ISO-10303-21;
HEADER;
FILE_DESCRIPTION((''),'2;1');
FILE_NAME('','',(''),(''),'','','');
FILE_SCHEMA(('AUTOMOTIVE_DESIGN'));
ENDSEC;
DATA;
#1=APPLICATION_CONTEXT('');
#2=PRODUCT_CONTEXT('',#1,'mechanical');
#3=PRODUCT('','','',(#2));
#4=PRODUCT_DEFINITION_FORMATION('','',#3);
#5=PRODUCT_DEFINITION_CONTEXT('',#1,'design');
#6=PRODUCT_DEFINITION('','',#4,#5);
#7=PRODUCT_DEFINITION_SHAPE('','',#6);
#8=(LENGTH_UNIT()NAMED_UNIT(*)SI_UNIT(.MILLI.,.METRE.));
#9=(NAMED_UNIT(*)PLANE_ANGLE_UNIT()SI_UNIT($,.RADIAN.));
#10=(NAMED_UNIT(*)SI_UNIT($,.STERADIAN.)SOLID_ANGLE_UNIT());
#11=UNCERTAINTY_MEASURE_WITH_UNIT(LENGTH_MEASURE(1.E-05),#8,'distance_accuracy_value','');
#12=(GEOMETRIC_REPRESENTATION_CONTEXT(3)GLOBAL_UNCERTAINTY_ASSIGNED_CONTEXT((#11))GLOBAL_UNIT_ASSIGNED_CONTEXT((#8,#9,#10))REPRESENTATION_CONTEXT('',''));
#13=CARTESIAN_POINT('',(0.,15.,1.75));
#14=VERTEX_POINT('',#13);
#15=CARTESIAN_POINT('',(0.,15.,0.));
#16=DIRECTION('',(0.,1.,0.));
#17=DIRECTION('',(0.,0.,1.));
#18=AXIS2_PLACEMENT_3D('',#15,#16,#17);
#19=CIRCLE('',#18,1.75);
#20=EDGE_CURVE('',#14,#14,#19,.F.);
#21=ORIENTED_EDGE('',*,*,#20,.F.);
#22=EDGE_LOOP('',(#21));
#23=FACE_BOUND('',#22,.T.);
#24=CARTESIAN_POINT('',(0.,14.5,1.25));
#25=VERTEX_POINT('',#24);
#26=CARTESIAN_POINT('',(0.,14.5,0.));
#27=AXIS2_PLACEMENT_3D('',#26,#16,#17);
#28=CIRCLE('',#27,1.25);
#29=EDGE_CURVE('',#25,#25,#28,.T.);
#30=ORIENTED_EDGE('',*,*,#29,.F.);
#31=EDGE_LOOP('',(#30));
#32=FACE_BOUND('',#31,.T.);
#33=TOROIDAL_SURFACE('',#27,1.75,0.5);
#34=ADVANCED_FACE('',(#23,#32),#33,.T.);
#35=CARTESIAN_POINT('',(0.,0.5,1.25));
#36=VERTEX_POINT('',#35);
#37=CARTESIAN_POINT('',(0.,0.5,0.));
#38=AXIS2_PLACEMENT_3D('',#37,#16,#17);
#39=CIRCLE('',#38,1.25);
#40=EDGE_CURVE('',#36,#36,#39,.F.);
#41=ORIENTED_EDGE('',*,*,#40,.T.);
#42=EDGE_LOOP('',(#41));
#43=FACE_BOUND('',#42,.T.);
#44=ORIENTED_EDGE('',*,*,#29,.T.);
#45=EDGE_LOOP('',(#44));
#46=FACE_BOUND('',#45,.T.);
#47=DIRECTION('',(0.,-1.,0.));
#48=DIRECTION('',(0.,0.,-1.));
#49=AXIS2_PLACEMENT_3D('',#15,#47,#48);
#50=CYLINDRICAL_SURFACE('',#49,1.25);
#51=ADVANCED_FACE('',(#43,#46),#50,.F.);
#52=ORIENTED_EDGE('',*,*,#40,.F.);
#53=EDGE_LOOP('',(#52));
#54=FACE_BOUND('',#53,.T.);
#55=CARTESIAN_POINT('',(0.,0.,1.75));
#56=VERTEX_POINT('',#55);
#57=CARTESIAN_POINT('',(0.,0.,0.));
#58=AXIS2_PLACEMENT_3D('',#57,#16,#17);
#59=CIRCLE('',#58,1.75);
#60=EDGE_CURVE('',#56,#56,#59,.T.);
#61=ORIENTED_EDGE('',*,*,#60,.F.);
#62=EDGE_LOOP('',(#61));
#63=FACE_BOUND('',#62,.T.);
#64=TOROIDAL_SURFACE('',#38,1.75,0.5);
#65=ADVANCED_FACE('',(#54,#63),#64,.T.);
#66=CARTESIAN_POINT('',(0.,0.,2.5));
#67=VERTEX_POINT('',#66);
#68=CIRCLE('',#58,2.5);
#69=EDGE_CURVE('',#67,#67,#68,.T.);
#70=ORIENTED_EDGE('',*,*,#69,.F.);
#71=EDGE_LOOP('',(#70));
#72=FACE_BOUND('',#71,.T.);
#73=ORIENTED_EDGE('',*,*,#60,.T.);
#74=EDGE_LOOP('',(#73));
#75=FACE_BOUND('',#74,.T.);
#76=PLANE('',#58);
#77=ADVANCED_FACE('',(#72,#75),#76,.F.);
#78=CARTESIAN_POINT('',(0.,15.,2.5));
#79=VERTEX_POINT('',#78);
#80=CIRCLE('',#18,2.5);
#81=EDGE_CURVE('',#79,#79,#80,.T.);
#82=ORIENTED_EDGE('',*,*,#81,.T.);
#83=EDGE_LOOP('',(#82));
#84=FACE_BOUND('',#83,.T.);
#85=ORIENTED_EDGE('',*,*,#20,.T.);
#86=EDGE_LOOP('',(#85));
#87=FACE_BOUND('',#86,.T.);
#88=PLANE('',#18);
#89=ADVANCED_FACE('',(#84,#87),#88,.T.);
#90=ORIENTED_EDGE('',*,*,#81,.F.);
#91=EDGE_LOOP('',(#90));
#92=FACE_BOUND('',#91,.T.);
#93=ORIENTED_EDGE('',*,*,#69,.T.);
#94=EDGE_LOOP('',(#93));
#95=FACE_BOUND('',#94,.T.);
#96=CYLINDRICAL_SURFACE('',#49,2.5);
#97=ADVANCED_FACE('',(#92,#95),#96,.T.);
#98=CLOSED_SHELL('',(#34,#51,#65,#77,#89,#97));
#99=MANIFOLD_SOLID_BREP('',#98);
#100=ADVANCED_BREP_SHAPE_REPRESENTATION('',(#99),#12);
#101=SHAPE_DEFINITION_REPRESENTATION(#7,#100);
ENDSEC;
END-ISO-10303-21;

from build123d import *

# Parameters (mm, degrees)
SKETCH1_R           = 2.5
SKETCH1_R_2         = 1.25
BOSS_EXTRUDE1_DEPTH = 15
FILLET1_R           = 0.5


with BuildPart() as part:
    # Sketch1 → Boss-Extrude1 (new body)
    with BuildSketch(Plane(origin=(0, 0, 0), x_dir=(1, 0, 0), z_dir=(0, 1, 0))):
        with Locations(Location((0, 0, 0), (0, 0, 270))):
            Circle(SKETCH1_R)
        with Locations(Location((0, 0, 0), (0, 0, 270))):
            Circle(SKETCH1_R_2, mode=Mode.SUBTRACT)
    extrude(amount=BOSS_EXTRUDE1_DEPTH)

    # Fillet1
    fillet1_edges = [part.edges().sort_by_distance(p)[0] for p in [
        (0, 0, -1.25),
        (0, 15, -1.25),
    ]]
    fillet(fillet1_edges, radius=FILLET1_R)


solid = part.part
